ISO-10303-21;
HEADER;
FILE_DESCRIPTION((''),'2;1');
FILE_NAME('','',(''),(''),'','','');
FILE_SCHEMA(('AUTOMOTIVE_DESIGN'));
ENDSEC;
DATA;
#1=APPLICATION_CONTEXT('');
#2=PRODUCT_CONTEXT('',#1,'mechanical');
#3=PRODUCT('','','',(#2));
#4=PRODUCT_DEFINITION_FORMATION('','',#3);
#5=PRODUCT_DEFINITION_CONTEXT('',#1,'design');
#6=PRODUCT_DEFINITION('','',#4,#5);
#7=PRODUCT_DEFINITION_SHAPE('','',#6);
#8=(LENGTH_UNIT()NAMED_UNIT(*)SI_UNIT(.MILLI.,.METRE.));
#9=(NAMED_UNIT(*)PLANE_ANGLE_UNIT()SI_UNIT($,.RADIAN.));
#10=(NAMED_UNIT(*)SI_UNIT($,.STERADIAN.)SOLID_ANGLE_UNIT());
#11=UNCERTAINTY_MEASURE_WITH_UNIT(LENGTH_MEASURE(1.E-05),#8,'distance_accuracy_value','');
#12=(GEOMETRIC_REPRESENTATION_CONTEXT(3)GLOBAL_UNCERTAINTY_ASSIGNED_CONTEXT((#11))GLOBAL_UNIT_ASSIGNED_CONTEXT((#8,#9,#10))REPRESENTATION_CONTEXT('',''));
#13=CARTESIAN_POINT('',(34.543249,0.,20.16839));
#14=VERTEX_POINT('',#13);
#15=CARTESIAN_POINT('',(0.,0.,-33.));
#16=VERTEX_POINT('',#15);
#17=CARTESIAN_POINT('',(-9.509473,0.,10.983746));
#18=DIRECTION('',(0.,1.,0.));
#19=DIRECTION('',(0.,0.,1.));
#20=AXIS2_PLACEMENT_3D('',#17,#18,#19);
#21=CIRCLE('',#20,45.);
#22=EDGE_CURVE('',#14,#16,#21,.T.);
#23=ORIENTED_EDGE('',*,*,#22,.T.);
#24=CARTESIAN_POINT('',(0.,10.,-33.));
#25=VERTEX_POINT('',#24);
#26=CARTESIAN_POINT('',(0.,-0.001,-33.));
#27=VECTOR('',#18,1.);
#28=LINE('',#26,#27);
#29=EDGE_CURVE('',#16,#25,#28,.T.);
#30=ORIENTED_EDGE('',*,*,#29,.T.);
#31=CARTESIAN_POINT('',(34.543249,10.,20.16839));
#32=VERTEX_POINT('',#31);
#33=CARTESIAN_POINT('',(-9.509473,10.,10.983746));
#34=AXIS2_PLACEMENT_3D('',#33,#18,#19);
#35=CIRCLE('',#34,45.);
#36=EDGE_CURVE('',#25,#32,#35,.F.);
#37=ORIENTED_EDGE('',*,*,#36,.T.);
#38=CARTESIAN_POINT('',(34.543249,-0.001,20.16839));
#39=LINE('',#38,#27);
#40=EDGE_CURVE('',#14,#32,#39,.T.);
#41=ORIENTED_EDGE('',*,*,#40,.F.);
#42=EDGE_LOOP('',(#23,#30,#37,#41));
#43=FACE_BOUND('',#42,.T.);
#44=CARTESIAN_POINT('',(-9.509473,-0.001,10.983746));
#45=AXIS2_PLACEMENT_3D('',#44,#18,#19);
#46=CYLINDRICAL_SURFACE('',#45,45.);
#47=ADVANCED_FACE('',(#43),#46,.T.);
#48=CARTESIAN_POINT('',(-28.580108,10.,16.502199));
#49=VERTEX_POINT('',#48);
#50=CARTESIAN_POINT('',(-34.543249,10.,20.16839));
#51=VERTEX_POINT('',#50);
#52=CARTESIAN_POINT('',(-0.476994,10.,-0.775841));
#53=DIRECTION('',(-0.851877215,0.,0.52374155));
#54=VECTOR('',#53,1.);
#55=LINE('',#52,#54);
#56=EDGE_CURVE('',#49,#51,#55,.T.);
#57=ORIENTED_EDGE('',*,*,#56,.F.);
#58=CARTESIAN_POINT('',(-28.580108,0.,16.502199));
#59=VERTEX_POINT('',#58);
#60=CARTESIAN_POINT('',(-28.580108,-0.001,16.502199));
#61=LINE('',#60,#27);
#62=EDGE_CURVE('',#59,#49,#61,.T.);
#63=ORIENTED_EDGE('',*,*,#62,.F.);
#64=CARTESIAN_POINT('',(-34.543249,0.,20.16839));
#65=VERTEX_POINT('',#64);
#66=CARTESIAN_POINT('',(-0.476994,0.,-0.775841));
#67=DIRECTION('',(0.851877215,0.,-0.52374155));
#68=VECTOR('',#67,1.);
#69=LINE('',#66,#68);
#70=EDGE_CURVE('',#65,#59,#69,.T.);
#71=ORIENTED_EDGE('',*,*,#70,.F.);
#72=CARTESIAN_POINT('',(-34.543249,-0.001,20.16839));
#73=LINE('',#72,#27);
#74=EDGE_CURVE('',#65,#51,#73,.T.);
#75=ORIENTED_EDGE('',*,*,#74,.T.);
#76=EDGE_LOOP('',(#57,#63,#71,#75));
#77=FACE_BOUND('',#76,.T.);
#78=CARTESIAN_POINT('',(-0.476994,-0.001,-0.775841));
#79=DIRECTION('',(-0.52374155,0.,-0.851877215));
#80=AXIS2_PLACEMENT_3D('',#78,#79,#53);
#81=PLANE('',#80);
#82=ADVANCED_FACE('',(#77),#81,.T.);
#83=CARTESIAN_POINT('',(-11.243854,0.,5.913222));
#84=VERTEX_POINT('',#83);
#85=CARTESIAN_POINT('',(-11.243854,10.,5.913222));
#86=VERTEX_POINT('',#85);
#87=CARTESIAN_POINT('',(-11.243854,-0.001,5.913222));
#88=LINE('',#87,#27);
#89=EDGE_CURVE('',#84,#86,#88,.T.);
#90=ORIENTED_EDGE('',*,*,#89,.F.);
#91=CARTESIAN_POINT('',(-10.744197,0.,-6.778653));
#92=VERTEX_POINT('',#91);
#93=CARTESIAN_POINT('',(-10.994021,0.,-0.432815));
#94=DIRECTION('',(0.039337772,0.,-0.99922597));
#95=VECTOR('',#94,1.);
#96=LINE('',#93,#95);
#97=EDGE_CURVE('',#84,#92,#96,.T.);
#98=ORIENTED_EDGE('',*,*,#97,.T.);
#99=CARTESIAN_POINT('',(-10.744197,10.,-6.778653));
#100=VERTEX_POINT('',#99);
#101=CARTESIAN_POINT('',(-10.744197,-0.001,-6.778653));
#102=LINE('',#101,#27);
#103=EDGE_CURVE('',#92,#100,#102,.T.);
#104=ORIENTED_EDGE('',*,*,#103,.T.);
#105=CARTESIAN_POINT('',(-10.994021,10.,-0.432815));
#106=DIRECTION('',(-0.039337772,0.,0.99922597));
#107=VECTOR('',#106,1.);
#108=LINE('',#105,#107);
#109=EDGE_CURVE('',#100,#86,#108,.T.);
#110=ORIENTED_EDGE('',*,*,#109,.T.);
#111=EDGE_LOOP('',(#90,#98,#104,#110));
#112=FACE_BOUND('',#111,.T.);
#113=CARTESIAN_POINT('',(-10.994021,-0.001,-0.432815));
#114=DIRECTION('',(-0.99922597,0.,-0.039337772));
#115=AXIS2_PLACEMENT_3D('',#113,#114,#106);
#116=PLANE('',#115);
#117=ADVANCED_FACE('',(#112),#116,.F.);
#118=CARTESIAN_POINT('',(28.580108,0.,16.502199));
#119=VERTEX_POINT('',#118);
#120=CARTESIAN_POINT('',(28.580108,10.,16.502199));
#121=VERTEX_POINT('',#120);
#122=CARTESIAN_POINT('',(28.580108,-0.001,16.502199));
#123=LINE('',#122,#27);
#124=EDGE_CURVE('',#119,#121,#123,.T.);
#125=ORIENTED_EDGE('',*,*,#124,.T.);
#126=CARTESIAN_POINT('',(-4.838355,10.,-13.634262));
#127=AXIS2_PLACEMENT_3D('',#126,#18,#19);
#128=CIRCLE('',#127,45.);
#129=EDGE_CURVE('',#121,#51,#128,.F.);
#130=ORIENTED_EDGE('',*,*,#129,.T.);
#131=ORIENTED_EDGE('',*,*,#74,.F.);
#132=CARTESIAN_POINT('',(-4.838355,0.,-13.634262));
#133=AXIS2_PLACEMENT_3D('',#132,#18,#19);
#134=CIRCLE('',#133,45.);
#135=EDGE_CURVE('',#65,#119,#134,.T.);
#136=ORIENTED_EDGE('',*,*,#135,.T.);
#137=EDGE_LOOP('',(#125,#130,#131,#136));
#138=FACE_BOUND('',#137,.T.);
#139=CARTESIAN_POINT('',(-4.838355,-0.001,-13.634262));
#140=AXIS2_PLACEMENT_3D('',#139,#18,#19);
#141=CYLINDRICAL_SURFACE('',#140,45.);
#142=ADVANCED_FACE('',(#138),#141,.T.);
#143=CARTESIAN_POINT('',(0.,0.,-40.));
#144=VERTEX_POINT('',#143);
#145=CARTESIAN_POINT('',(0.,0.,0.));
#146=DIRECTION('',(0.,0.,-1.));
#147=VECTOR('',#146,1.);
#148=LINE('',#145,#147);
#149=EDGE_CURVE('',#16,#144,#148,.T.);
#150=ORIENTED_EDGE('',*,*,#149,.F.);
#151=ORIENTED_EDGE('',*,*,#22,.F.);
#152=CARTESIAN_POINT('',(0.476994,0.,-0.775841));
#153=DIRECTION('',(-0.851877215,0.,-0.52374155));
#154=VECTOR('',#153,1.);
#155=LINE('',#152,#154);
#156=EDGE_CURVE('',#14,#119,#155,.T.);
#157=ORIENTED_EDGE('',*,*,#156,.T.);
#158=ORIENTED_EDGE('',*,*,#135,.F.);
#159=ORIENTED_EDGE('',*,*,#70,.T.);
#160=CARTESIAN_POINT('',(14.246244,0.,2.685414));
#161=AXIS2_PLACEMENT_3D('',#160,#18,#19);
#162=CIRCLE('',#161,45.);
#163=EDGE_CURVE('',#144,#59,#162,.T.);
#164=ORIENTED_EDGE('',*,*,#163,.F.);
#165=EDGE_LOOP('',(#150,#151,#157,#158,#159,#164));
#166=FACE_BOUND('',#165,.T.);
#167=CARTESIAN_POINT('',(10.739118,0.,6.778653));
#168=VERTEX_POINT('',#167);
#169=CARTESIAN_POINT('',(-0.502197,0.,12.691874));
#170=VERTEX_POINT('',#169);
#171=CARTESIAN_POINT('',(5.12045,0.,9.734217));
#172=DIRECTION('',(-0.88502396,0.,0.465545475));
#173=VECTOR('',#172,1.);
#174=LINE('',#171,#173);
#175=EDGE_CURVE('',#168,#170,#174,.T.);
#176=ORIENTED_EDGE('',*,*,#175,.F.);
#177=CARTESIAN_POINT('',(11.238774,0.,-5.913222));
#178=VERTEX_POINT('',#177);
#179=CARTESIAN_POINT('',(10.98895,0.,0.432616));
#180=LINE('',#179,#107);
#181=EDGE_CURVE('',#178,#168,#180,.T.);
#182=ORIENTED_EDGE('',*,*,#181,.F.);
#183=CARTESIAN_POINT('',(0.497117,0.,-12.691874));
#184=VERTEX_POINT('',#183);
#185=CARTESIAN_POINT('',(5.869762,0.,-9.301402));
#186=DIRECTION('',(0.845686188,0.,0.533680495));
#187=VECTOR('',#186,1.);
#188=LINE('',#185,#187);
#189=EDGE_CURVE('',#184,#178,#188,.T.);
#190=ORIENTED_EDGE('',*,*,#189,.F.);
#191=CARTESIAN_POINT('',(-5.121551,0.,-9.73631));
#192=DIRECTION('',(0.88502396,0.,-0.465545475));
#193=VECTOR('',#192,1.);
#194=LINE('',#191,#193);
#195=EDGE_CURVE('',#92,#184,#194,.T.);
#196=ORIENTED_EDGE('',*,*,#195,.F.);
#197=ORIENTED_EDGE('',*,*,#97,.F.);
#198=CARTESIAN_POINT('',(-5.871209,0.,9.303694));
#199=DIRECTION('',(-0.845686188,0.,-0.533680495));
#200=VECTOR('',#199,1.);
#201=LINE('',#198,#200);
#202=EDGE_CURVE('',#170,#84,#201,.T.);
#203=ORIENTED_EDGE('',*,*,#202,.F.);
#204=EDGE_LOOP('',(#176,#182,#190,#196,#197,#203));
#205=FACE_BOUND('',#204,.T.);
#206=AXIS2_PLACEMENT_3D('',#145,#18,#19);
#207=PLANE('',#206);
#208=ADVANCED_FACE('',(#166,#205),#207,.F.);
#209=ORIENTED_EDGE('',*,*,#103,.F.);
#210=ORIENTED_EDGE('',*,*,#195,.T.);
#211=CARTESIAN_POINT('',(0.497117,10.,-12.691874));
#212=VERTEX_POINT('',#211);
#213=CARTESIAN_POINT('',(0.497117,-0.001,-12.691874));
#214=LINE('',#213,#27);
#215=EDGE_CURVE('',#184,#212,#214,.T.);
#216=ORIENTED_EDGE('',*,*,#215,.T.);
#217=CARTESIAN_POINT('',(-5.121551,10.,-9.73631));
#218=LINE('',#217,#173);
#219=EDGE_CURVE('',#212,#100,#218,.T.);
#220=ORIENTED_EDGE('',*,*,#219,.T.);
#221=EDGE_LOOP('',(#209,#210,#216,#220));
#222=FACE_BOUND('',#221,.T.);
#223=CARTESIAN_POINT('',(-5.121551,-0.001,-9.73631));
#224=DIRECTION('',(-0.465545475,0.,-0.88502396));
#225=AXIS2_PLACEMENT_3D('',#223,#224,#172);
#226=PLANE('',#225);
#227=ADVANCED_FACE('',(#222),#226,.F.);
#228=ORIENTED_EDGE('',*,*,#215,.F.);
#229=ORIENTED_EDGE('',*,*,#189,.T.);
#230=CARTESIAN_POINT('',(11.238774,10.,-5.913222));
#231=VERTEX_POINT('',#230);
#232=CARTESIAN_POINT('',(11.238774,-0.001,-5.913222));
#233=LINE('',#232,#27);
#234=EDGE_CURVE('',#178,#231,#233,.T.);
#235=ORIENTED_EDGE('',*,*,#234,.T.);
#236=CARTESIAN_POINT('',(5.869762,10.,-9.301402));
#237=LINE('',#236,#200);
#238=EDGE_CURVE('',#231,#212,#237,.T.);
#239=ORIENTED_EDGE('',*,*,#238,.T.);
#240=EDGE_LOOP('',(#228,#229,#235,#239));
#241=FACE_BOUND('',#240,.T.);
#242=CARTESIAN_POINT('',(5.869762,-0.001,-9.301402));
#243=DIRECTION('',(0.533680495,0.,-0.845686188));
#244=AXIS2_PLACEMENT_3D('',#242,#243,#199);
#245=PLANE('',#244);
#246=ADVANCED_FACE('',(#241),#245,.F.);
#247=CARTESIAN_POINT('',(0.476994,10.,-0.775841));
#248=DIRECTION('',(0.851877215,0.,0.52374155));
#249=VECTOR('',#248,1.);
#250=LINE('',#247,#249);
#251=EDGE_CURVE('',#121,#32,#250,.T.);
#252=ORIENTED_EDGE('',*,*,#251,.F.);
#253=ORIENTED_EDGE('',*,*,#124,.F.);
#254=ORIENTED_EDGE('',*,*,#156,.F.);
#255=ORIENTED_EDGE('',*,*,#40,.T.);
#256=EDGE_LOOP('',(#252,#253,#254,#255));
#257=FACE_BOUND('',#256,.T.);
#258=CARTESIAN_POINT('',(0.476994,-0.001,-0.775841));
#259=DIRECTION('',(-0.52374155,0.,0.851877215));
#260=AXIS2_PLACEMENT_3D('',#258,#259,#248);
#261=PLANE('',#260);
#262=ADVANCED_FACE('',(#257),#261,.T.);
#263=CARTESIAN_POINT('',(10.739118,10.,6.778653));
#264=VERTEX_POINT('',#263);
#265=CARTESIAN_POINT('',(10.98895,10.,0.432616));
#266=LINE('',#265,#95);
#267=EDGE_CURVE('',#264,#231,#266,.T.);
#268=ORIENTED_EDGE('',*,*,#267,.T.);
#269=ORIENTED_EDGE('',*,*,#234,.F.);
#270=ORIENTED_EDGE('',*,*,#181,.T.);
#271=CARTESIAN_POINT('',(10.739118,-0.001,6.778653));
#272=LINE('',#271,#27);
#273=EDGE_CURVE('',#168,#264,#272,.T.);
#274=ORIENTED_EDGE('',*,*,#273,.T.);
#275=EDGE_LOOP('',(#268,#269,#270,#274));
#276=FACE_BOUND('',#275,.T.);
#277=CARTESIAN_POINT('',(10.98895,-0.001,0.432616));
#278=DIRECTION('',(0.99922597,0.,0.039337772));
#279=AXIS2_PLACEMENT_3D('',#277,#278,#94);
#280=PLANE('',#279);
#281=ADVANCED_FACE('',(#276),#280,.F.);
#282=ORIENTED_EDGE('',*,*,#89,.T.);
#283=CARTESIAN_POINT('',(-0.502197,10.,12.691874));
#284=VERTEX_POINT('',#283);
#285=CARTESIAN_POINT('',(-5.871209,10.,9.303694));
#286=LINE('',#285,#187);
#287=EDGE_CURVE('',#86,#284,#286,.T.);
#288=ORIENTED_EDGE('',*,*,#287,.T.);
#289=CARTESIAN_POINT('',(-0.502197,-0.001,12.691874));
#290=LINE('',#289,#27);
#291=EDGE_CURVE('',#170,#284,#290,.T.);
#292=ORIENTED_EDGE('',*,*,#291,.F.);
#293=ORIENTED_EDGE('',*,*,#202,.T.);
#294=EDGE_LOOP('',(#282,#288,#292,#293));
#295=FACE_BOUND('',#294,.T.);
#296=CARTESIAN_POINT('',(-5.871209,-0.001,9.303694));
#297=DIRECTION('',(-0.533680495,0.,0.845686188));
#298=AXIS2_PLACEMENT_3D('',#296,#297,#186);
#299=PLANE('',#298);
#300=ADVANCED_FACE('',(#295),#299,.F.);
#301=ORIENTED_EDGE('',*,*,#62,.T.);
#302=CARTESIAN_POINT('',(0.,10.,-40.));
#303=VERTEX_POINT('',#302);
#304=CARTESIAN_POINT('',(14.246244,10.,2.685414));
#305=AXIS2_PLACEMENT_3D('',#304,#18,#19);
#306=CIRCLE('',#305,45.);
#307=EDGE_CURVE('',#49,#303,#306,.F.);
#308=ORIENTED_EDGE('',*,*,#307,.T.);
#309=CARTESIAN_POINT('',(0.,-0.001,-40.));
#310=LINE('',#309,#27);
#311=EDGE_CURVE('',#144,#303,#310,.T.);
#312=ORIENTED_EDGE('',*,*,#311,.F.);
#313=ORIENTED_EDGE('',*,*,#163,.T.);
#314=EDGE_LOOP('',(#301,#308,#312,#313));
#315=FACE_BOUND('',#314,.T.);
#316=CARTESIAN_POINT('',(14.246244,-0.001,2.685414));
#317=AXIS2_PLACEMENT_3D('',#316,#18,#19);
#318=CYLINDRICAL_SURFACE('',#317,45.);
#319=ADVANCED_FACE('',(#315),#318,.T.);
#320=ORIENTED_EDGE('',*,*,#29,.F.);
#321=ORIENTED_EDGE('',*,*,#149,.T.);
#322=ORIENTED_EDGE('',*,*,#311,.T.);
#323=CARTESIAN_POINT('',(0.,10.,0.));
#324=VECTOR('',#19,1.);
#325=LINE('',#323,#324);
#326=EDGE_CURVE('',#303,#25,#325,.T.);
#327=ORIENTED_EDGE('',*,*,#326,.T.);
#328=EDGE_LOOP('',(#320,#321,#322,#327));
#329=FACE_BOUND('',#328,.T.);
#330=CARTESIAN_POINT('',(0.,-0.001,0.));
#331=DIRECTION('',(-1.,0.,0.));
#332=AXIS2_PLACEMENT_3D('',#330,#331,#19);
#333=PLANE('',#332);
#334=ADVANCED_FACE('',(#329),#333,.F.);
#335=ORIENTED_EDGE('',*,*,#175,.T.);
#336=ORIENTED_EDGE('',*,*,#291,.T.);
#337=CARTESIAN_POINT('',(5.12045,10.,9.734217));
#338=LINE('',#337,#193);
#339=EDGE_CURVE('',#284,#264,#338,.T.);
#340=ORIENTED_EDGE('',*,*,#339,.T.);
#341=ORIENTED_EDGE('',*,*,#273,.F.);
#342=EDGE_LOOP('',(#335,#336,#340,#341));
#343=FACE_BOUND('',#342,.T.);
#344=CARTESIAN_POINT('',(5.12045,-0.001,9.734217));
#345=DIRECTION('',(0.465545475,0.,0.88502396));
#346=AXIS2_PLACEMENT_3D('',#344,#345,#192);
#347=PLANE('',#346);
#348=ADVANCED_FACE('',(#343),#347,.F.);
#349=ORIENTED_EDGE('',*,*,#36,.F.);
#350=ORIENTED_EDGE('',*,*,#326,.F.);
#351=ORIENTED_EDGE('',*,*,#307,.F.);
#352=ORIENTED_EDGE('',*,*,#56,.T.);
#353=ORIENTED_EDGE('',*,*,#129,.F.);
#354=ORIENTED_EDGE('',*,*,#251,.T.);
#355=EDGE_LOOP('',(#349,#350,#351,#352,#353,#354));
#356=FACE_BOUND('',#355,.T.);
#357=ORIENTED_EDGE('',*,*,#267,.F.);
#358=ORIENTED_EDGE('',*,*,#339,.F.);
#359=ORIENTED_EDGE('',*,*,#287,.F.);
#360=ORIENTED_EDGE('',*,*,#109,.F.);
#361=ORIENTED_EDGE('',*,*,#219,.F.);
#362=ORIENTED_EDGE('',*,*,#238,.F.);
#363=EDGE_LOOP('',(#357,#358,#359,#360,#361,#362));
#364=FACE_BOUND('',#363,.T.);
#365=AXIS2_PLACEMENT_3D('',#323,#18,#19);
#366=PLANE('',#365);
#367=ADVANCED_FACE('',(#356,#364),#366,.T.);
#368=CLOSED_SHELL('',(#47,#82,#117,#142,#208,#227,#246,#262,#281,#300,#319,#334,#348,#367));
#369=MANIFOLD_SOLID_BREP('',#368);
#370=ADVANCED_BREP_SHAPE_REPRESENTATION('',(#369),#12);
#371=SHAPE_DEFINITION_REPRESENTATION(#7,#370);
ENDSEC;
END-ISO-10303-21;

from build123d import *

# Parameters (mm, degrees)
SKETCH1_R           = 40
BOSS_EXTRUDE1_DEPTH = 10
CUT_EXTRUDE1_REACH  = 59.446


with BuildPart() as part:
    # Sketch1 → Boss-Extrude1 (new body)
    with BuildSketch(Plane(origin=(0, 0, 0), x_dir=(1, 0, 0), z_dir=(0, 1, 0))):
        with Locations(Location((0, 0, 0), (0, 0, 270))):
            Circle(SKETCH1_R)
    extrude(amount=BOSS_EXTRUDE1_DEPTH)

    # Sketch2 → Cut-Extrude1 (cut, up to next)
    with BuildSketch(Plane(origin=(0, 10, 0), x_dir=(1, 0, 0), z_dir=(0, 1, 0)), mode=Mode.PRIVATE) as cut_extrude1_sk1:
        Polygon((11.238774325, 5.913221721), (0.497117057, 12.691874424), (-10.744197021, 6.778652704), (-11.243853833, -5.913221721), (-0.502196565, -12.691874424), (10.739117514, -6.778652704), align=None)
    cut_extrude1_tool1 = extrude(cut_extrude1_sk1.sketch, amount=-CUT_EXTRUDE1_REACH, mode=Mode.PRIVATE) & part.part
    # Sketch2 → Cut-Extrude1 (cut, up to next)
    with BuildSketch(Plane(origin=(0, 10, 0), x_dir=(1, 0, 0), z_dir=(0, 1, 0)), mode=Mode.PRIVATE) as cut_extrude1_sk2:
        with BuildLine():
            Line((34.543248704, -20.168390341), (28.580108202, -16.502199491))
            ThreePointArc((28.580108202, -16.502199491), (-2.229161984, -31.290031187), (-34.543248704, -20.168390341))
            ThreePointArc((-34.543248704, -20.168390341), (-19.915626859, -34.689592197), (0, -40))
            ThreePointArc((0, -40), (19.915626859, -34.689592197), (34.543248704, -20.168390341))
        make_face()
    cut_extrude1_tool2 = extrude(cut_extrude1_sk2.sketch, amount=-CUT_EXTRUDE1_REACH, mode=Mode.PRIVATE) & part.part
    # Sketch2 → Cut-Extrude1 (cut, up to next)
    with BuildSketch(Plane(origin=(0, 10, 0), x_dir=(1, 0, 0), z_dir=(0, 1, 0)), mode=Mode.PRIVATE) as cut_extrude1_sk3:
        with BuildLine():
            ThreePointArc((0, 33), (28.225744016, 13.532643941), (34.543248704, -20.168390341))
            ThreePointArc((34.543248704, -20.168390341), (34.689592197, 19.915626859), (0, 40))
            Line((0, 40), (0, 33))
        make_face()
    cut_extrude1_tool3 = extrude(cut_extrude1_sk3.sketch, amount=-CUT_EXTRUDE1_REACH, mode=Mode.PRIVATE) & part.part
    # Sketch2 → Cut-Extrude1 (cut, up to next)
    with BuildSketch(Plane(origin=(0, 10, 0), x_dir=(1, 0, 0), z_dir=(0, 1, 0)), mode=Mode.PRIVATE) as cut_extrude1_sk4:
        with BuildLine():
            ThreePointArc((0, 40), (-34.689592197, 19.915626859), (-34.543248704, -20.168390341))
            Line((-34.543248704, -20.168390341), (-28.580108202, -16.502199491))
            ThreePointArc((-28.580108202, -16.502199491), (-25.909016553, 17.626037907), (0, 40))
        make_face()
    cut_extrude1_tool4 = extrude(cut_extrude1_sk4.sketch, amount=-CUT_EXTRUDE1_REACH, mode=Mode.PRIVATE) & part.part
    add(cut_extrude1_tool1.solids().sort_by_distance((-0.00254, 10, 0))[0], mode=Mode.SUBTRACT)
    add(cut_extrude1_tool2.solids().sort_by_distance((5.104004, 10, 31.071916))[0], mode=Mode.SUBTRACT)
    add(cut_extrude1_tool3.solids().sort_by_distance((24.380546, 10, -19.814078))[0], mode=Mode.SUBTRACT)
    add(cut_extrude1_tool4.solids().sort_by_distance((-29.411799, 10, -11.104167))[0], mode=Mode.SUBTRACT)


solid = part.part
